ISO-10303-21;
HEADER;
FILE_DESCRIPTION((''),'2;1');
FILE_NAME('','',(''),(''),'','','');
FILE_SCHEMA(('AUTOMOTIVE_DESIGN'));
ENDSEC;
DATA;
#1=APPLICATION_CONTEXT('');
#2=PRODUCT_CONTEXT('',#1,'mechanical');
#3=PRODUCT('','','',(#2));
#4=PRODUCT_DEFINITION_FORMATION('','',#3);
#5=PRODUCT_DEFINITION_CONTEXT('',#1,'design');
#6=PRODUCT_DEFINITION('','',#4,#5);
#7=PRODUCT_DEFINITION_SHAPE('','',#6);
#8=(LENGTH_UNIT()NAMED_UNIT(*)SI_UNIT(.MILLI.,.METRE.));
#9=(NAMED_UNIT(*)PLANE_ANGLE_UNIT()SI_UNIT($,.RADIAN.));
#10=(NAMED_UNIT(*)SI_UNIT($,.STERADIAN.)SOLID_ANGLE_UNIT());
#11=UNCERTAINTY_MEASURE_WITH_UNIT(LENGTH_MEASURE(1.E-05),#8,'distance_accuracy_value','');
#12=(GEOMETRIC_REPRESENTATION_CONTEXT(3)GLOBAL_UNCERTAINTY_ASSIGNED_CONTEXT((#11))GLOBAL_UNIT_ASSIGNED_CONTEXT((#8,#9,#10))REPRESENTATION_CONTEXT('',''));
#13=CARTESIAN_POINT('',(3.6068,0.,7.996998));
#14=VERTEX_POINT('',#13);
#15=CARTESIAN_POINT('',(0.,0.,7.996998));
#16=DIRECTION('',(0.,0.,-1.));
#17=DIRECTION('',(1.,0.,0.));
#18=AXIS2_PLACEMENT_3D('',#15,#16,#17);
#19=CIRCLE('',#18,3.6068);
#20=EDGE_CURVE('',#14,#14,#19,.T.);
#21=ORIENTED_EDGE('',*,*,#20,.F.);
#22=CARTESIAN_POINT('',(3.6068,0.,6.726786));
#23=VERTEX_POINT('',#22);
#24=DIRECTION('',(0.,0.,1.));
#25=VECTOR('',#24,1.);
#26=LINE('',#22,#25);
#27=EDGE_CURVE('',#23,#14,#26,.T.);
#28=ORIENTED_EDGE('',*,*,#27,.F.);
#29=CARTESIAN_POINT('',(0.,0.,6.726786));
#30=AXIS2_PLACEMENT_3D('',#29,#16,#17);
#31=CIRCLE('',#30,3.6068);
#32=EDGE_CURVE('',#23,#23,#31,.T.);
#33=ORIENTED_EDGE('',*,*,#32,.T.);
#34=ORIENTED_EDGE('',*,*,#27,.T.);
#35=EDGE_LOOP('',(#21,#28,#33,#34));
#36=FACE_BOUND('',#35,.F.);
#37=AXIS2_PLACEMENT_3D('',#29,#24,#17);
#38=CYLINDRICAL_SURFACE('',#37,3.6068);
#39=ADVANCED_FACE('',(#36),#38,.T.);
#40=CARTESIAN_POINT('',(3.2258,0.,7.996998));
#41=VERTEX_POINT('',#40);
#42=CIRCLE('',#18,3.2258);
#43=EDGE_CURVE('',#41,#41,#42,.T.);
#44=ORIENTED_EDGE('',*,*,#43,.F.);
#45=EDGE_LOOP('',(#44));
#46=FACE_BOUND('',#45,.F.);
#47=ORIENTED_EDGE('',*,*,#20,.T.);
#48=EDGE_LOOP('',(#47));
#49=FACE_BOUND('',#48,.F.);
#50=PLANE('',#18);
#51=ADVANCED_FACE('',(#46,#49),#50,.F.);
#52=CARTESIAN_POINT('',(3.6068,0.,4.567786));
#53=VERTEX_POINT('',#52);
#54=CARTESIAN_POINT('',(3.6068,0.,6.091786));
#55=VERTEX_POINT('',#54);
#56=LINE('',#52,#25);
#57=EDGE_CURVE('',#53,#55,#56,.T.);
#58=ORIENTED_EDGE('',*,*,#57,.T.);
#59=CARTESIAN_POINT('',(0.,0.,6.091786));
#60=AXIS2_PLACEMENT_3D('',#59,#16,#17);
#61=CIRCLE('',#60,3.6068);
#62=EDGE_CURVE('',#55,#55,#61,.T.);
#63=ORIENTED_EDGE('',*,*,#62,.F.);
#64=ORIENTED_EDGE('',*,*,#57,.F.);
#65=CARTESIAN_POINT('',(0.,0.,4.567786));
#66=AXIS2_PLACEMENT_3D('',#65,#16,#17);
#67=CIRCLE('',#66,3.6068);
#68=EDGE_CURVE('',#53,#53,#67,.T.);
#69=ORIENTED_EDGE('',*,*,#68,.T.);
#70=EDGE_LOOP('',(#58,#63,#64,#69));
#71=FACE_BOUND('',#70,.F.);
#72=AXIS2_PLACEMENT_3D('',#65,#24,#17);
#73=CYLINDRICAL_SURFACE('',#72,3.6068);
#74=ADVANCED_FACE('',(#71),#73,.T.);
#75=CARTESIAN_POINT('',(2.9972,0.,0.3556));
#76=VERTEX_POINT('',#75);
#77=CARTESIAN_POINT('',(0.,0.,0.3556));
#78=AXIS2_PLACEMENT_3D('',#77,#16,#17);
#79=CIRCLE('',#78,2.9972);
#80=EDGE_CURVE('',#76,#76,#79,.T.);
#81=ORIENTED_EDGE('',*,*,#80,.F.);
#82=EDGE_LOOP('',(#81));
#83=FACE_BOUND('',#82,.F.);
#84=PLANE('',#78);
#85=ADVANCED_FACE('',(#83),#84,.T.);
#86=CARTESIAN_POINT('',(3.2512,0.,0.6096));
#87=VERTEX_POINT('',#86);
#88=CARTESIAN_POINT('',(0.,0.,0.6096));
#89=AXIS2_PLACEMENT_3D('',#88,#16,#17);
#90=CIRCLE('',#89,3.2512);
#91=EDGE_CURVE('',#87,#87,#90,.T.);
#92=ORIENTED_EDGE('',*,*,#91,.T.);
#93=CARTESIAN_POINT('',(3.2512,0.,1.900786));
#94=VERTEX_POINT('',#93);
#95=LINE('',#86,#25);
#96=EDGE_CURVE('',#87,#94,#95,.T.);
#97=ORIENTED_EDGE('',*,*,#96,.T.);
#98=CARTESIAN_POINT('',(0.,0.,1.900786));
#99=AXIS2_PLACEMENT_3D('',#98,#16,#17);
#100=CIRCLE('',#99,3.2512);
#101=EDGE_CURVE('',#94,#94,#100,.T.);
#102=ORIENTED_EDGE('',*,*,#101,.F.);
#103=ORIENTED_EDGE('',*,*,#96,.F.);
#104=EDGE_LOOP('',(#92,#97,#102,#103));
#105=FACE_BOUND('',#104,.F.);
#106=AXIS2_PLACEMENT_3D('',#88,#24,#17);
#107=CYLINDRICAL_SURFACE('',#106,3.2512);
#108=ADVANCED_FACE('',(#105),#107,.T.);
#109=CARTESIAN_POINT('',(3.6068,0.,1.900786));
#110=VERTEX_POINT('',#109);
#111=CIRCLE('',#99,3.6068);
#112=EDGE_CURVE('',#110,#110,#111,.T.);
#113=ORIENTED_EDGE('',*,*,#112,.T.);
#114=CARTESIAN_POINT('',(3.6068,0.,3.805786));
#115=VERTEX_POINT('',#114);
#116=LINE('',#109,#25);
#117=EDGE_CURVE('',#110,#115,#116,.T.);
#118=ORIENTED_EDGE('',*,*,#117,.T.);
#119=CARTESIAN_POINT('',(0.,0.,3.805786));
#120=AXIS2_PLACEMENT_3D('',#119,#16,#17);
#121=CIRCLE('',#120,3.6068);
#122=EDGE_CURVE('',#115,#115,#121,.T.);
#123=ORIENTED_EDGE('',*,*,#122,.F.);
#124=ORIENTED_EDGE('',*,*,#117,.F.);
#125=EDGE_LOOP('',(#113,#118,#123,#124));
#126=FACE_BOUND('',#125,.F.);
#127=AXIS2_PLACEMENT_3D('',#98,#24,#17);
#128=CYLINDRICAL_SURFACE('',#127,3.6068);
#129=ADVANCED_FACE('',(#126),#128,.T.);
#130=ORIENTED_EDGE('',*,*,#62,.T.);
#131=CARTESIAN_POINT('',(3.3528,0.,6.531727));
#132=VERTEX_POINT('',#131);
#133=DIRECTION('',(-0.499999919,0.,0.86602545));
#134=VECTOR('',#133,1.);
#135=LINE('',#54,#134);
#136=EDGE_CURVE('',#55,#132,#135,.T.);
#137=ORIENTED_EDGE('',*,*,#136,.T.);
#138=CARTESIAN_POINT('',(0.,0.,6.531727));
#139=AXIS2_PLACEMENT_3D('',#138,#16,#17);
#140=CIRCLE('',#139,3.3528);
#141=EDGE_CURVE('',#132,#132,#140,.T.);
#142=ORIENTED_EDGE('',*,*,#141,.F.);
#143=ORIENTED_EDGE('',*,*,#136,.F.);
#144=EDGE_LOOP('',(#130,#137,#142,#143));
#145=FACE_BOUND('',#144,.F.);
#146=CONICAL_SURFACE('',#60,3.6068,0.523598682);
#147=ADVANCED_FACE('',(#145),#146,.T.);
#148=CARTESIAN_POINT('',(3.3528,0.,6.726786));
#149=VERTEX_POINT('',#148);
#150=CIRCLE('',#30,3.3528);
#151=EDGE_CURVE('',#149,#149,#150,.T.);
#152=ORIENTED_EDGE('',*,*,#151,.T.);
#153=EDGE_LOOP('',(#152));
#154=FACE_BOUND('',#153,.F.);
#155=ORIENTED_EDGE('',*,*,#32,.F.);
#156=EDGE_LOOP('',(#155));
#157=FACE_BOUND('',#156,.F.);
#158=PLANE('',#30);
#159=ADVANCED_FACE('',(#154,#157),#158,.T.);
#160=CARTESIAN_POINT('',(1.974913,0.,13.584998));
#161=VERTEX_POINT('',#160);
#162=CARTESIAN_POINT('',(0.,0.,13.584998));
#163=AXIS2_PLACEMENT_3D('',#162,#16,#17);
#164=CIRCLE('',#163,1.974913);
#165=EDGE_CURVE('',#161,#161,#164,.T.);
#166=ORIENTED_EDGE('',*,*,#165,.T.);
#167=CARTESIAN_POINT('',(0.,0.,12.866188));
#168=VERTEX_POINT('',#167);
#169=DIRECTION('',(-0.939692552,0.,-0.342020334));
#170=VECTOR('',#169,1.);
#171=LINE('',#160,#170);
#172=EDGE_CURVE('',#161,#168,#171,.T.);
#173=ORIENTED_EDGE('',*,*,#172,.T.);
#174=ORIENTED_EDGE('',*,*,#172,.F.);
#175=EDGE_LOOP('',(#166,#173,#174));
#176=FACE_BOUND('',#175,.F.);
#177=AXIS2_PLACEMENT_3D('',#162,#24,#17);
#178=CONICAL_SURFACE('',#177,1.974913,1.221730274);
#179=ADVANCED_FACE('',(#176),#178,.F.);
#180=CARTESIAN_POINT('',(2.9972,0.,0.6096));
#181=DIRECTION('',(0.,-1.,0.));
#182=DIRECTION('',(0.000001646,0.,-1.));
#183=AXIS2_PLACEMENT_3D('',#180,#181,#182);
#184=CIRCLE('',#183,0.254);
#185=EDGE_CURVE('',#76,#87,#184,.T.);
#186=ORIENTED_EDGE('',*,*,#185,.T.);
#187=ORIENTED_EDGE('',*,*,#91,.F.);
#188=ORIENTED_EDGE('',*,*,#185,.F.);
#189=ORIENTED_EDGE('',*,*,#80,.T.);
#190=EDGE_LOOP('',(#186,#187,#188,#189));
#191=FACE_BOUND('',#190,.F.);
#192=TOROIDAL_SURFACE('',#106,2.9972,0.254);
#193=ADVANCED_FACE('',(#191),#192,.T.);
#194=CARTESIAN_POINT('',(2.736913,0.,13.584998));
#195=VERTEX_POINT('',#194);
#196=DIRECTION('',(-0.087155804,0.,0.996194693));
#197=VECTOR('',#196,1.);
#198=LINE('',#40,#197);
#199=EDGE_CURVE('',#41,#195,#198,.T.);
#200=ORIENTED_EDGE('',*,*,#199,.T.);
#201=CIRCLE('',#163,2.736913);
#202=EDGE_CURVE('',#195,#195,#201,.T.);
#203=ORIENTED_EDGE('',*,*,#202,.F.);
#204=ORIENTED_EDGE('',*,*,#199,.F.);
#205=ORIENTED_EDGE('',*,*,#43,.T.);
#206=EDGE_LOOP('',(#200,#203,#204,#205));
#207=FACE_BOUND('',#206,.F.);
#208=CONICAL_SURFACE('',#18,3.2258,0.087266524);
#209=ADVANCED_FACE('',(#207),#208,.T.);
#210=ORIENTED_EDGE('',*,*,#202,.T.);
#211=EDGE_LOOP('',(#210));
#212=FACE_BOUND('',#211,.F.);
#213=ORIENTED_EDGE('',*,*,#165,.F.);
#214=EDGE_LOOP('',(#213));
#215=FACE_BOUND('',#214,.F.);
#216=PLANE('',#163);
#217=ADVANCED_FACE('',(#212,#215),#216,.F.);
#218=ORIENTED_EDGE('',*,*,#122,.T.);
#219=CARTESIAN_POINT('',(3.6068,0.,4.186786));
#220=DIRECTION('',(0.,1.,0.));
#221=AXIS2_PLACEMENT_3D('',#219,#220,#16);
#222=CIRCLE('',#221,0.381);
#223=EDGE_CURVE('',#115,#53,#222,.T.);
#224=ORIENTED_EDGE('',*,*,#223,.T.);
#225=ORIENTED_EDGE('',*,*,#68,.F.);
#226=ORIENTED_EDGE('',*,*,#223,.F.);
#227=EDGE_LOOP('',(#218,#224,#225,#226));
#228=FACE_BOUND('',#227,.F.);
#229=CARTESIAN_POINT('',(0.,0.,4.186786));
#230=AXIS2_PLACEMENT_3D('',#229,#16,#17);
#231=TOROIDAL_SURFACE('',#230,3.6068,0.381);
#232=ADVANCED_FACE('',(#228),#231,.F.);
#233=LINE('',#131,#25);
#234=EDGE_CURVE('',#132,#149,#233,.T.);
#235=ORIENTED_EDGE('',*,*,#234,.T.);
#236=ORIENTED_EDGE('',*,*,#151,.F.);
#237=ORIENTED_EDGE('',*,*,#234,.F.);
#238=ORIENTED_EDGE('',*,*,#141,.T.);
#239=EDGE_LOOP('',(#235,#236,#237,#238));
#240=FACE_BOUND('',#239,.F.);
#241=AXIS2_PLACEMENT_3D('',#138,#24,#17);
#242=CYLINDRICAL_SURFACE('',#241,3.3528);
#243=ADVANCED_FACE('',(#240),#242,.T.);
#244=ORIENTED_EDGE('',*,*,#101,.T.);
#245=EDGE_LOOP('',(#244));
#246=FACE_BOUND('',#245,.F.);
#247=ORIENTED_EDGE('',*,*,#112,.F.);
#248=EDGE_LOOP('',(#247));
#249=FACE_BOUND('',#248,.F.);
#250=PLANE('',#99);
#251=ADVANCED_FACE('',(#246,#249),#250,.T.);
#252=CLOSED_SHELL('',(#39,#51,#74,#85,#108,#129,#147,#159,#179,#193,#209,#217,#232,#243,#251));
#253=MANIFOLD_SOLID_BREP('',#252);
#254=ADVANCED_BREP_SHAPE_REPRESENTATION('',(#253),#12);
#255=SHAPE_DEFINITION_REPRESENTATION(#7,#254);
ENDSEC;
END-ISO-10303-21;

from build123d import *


with BuildPart() as f1:
    # F0 (on Front) → F1 (revolve)
    with BuildSketch(Plane.XZ):
        with BuildLine():
            Line((3.6068, 7.996998), (3.3782, 7.996998))
            Line((3.3782, 7.996998), (3.2258, 7.996998))
            Line((3.2258, 7.996998), (2.736913, 13.584998))
            Line((2.736913, 13.584998), (1.974913, 13.584998))
            Line((1.974913, 13.584998), (0, 12.866188))
            Line((0, 12.866188), (0, 0.3556))
            Line((0, 0.3556), (2.9972, 0.3556))
            ThreePointArc((2.9972, 0.3556), (3.176805, 0.429995), (3.2512, 0.6096))
            Line((3.2512, 0.6096), (3.2512, 1.900786))
            Line((3.2512, 1.900786), (3.6068, 1.900786))
            Line((3.6068, 1.900786), (3.6068, 3.805786))
            ThreePointArc((3.6068, 3.805786), (3.2258, 4.186786), (3.6068, 4.567786))
            Line((3.6068, 4.567786), (3.6068, 6.091786))
            Line((3.6068, 6.091786), (3.3528, 6.531727))
            Line((3.3528, 6.531727), (3.3528, 6.726786))
            Line((3.3528, 6.726786), (3.6068, 6.726786))
            Line((3.6068, 6.726786), (3.6068, 7.742998))
            Line((3.6068, 7.742998), (3.6068, 7.996998))
        make_face()
    revolve(axis=Axis((0, 0, 6.433094), (0, 0, -1)))


solid = f1.part
